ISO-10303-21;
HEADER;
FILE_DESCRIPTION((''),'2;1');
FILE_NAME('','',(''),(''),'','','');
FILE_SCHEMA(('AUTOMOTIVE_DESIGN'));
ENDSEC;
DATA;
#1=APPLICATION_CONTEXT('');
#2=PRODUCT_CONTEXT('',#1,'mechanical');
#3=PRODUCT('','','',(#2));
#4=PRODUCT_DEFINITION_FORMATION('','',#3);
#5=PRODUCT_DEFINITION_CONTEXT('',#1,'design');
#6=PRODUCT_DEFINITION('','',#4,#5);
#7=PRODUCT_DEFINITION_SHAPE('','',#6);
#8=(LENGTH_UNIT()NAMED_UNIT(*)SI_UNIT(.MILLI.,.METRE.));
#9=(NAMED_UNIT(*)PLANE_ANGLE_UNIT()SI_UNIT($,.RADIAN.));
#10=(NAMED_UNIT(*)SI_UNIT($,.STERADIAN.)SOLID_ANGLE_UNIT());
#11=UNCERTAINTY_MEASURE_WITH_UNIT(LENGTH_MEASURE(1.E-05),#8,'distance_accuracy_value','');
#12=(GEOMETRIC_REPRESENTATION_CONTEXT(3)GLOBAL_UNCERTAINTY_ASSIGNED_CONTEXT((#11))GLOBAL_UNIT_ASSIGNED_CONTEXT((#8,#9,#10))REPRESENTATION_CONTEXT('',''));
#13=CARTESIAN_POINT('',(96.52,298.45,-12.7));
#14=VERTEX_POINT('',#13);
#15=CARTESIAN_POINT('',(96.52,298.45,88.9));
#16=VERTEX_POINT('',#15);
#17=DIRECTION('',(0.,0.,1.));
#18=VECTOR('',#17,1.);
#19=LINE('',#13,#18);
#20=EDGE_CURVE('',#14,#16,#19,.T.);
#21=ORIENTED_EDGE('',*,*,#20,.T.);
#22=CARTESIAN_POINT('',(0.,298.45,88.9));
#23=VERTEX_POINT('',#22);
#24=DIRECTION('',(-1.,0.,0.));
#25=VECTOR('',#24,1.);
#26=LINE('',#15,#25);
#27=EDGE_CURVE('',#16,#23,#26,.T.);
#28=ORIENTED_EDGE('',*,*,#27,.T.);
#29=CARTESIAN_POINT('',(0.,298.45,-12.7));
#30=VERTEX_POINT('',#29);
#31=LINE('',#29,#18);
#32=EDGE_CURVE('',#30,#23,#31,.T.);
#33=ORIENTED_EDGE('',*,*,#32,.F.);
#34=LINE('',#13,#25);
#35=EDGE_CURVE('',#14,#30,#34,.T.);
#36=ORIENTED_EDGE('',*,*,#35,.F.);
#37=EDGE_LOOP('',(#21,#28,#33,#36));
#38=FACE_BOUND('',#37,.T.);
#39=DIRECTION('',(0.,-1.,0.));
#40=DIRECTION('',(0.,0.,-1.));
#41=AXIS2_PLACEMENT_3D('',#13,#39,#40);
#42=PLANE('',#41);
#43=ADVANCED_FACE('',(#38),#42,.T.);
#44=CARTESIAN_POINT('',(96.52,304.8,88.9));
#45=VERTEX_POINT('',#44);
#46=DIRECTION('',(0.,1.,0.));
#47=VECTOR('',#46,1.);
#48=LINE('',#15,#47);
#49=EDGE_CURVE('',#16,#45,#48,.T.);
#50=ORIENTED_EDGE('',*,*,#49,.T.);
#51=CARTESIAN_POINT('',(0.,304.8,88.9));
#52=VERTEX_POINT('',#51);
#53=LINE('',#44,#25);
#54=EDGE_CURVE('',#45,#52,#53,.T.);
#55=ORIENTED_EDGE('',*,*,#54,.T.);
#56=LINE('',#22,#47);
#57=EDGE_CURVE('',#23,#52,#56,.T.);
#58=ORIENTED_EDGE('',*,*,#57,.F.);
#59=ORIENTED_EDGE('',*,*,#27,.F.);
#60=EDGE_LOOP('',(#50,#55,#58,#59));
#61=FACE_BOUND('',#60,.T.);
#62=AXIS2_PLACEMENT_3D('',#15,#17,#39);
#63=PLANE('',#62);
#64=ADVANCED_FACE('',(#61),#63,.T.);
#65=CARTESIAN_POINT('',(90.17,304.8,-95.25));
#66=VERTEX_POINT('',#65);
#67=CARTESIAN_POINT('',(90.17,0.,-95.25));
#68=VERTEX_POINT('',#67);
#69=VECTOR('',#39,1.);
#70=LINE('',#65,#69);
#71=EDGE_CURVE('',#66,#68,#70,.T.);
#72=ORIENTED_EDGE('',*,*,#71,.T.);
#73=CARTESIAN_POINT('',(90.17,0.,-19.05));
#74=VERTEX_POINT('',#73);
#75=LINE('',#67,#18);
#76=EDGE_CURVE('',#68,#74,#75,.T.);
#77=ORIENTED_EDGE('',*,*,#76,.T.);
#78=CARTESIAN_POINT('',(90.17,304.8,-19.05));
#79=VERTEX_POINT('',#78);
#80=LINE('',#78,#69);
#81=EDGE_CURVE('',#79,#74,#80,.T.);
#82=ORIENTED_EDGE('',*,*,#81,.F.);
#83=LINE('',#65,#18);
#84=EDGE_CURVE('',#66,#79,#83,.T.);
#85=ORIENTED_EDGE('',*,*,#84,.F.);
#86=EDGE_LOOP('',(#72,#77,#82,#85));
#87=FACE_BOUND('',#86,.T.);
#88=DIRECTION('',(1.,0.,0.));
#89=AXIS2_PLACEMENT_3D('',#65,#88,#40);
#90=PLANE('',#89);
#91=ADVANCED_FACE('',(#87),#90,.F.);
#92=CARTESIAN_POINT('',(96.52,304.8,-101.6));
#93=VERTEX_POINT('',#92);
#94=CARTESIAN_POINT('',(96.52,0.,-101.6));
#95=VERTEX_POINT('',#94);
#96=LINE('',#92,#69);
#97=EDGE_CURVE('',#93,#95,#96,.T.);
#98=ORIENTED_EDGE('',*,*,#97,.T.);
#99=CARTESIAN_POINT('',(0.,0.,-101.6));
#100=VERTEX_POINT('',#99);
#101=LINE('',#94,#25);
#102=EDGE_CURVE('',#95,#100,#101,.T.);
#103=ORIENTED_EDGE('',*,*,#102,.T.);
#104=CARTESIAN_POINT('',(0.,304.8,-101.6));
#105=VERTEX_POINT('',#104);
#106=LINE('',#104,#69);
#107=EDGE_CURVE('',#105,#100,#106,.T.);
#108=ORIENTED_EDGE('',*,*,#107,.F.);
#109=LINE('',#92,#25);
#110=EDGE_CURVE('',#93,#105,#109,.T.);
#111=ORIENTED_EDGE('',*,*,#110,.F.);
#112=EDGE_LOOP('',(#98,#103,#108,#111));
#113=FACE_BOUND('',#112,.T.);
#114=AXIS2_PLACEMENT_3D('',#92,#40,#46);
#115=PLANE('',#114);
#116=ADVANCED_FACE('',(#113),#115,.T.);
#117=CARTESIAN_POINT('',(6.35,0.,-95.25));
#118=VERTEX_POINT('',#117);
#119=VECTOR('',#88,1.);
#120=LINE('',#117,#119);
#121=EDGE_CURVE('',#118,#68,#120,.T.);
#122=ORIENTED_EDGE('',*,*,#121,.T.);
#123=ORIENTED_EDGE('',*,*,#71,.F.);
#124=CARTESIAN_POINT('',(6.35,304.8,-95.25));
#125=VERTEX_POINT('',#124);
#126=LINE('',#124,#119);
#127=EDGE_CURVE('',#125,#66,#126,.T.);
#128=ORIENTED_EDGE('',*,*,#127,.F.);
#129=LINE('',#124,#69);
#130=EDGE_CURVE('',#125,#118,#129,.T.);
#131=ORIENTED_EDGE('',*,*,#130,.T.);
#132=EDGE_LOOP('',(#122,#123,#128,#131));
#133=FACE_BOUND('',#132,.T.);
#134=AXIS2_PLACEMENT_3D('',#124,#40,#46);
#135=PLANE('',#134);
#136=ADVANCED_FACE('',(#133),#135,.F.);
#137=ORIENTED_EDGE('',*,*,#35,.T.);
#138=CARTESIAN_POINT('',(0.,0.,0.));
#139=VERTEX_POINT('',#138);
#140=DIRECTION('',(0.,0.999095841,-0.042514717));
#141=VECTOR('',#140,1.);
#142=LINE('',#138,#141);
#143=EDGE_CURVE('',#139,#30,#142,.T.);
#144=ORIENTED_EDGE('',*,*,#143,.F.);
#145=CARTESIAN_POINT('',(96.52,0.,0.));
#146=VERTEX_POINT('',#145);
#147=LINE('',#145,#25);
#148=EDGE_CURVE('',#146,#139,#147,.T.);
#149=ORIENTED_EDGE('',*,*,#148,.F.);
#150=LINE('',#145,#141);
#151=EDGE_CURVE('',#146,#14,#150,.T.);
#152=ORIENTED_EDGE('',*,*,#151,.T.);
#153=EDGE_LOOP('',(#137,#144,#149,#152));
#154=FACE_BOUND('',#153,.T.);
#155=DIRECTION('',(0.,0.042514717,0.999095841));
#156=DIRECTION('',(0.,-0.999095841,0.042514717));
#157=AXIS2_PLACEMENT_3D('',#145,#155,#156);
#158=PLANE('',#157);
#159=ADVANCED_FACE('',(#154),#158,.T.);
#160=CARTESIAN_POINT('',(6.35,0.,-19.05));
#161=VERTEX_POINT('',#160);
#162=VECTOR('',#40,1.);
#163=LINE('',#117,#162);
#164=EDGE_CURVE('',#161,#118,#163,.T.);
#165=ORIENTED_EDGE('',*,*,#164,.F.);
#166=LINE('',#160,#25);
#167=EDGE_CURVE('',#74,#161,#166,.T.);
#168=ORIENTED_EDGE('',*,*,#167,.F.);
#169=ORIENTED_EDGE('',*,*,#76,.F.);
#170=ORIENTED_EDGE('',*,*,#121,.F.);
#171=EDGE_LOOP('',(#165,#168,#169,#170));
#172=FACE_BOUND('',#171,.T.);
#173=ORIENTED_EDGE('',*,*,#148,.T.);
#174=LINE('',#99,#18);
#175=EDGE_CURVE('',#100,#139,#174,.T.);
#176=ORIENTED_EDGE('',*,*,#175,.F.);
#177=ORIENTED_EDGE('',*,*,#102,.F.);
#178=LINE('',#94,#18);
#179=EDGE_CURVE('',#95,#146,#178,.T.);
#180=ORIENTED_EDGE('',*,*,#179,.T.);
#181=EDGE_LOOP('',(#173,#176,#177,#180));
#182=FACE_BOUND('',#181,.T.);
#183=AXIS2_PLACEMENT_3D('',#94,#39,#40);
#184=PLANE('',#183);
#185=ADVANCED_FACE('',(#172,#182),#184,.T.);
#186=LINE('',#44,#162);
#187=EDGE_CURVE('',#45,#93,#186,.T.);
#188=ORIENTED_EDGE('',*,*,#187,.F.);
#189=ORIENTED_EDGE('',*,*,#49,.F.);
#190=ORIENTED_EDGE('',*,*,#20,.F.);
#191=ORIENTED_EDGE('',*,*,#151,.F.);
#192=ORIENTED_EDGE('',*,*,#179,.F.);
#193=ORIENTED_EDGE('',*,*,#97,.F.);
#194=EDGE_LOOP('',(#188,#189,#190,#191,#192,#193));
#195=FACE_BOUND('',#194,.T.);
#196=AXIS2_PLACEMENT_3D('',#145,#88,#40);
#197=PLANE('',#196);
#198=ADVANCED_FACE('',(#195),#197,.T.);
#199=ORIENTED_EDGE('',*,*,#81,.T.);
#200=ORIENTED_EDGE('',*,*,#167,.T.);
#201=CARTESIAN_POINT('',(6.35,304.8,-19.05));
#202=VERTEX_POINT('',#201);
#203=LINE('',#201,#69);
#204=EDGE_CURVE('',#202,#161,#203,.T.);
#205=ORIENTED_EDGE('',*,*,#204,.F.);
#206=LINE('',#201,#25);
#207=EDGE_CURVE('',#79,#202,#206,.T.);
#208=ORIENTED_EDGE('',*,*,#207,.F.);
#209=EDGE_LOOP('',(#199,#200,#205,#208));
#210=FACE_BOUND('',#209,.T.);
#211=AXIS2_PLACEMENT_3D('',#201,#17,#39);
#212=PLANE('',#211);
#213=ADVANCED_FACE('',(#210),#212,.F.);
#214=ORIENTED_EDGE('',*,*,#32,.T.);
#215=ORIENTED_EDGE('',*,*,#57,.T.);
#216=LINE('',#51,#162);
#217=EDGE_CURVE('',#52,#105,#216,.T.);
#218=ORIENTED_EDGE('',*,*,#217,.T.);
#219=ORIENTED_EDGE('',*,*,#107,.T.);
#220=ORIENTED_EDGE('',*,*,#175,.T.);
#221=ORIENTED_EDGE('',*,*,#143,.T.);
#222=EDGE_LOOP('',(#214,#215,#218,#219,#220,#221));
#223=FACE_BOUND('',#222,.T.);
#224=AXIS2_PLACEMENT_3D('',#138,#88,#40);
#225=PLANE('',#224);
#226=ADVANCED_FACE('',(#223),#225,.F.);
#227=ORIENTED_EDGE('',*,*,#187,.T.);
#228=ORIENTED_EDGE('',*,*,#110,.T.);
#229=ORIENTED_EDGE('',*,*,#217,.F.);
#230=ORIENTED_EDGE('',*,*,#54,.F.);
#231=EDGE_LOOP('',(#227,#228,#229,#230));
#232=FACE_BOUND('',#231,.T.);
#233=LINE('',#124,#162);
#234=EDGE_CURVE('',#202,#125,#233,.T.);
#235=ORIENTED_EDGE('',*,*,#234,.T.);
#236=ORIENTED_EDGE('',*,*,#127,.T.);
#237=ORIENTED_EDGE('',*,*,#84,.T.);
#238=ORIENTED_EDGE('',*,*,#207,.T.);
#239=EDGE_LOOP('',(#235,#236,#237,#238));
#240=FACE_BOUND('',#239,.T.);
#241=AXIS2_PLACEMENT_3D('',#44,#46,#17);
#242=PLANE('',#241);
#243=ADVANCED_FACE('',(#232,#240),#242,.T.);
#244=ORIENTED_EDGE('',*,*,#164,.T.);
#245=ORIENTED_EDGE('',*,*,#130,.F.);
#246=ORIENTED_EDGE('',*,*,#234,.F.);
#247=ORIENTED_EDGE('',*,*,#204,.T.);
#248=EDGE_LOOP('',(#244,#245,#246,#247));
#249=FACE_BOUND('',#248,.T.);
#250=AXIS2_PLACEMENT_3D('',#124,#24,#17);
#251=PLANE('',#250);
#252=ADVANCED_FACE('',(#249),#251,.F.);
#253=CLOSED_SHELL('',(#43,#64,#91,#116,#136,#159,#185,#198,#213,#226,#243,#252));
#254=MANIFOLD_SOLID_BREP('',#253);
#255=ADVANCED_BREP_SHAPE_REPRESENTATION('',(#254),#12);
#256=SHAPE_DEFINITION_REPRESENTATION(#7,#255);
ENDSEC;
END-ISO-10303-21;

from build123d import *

# Parameters (mm, degrees)
BOSS_EXTRUDE1_DEPTH = 96.52
SKETCH2_W           = 83.82
SKETCH2_H           = 76.2
CUT_EXTRUDE1_DEPTH  = 305.8


with BuildPart() as part:
    # Sketch1 → Boss-Extrude1 (new body)
    with BuildSketch(Plane(origin=(0, 0, 0), x_dir=(0, 0, -1), z_dir=(1, 0, 0))):
        Polygon((0, 0), (12.7, 298.45), (-88.9, 298.45), (-88.9, 304.8), (101.6, 304.8), (101.6, 0), align=None)
    extrude(amount=BOSS_EXTRUDE1_DEPTH)

    # Sketch2 → Cut-Extrude1 (cut, through all)
    with BuildSketch(Plane.XZ):
        with Locations((48.26, -57.15)):
            Rectangle(SKETCH2_W, SKETCH2_H)
    extrude(amount=-CUT_EXTRUDE1_DEPTH, mode=Mode.SUBTRACT)


solid = part.part
